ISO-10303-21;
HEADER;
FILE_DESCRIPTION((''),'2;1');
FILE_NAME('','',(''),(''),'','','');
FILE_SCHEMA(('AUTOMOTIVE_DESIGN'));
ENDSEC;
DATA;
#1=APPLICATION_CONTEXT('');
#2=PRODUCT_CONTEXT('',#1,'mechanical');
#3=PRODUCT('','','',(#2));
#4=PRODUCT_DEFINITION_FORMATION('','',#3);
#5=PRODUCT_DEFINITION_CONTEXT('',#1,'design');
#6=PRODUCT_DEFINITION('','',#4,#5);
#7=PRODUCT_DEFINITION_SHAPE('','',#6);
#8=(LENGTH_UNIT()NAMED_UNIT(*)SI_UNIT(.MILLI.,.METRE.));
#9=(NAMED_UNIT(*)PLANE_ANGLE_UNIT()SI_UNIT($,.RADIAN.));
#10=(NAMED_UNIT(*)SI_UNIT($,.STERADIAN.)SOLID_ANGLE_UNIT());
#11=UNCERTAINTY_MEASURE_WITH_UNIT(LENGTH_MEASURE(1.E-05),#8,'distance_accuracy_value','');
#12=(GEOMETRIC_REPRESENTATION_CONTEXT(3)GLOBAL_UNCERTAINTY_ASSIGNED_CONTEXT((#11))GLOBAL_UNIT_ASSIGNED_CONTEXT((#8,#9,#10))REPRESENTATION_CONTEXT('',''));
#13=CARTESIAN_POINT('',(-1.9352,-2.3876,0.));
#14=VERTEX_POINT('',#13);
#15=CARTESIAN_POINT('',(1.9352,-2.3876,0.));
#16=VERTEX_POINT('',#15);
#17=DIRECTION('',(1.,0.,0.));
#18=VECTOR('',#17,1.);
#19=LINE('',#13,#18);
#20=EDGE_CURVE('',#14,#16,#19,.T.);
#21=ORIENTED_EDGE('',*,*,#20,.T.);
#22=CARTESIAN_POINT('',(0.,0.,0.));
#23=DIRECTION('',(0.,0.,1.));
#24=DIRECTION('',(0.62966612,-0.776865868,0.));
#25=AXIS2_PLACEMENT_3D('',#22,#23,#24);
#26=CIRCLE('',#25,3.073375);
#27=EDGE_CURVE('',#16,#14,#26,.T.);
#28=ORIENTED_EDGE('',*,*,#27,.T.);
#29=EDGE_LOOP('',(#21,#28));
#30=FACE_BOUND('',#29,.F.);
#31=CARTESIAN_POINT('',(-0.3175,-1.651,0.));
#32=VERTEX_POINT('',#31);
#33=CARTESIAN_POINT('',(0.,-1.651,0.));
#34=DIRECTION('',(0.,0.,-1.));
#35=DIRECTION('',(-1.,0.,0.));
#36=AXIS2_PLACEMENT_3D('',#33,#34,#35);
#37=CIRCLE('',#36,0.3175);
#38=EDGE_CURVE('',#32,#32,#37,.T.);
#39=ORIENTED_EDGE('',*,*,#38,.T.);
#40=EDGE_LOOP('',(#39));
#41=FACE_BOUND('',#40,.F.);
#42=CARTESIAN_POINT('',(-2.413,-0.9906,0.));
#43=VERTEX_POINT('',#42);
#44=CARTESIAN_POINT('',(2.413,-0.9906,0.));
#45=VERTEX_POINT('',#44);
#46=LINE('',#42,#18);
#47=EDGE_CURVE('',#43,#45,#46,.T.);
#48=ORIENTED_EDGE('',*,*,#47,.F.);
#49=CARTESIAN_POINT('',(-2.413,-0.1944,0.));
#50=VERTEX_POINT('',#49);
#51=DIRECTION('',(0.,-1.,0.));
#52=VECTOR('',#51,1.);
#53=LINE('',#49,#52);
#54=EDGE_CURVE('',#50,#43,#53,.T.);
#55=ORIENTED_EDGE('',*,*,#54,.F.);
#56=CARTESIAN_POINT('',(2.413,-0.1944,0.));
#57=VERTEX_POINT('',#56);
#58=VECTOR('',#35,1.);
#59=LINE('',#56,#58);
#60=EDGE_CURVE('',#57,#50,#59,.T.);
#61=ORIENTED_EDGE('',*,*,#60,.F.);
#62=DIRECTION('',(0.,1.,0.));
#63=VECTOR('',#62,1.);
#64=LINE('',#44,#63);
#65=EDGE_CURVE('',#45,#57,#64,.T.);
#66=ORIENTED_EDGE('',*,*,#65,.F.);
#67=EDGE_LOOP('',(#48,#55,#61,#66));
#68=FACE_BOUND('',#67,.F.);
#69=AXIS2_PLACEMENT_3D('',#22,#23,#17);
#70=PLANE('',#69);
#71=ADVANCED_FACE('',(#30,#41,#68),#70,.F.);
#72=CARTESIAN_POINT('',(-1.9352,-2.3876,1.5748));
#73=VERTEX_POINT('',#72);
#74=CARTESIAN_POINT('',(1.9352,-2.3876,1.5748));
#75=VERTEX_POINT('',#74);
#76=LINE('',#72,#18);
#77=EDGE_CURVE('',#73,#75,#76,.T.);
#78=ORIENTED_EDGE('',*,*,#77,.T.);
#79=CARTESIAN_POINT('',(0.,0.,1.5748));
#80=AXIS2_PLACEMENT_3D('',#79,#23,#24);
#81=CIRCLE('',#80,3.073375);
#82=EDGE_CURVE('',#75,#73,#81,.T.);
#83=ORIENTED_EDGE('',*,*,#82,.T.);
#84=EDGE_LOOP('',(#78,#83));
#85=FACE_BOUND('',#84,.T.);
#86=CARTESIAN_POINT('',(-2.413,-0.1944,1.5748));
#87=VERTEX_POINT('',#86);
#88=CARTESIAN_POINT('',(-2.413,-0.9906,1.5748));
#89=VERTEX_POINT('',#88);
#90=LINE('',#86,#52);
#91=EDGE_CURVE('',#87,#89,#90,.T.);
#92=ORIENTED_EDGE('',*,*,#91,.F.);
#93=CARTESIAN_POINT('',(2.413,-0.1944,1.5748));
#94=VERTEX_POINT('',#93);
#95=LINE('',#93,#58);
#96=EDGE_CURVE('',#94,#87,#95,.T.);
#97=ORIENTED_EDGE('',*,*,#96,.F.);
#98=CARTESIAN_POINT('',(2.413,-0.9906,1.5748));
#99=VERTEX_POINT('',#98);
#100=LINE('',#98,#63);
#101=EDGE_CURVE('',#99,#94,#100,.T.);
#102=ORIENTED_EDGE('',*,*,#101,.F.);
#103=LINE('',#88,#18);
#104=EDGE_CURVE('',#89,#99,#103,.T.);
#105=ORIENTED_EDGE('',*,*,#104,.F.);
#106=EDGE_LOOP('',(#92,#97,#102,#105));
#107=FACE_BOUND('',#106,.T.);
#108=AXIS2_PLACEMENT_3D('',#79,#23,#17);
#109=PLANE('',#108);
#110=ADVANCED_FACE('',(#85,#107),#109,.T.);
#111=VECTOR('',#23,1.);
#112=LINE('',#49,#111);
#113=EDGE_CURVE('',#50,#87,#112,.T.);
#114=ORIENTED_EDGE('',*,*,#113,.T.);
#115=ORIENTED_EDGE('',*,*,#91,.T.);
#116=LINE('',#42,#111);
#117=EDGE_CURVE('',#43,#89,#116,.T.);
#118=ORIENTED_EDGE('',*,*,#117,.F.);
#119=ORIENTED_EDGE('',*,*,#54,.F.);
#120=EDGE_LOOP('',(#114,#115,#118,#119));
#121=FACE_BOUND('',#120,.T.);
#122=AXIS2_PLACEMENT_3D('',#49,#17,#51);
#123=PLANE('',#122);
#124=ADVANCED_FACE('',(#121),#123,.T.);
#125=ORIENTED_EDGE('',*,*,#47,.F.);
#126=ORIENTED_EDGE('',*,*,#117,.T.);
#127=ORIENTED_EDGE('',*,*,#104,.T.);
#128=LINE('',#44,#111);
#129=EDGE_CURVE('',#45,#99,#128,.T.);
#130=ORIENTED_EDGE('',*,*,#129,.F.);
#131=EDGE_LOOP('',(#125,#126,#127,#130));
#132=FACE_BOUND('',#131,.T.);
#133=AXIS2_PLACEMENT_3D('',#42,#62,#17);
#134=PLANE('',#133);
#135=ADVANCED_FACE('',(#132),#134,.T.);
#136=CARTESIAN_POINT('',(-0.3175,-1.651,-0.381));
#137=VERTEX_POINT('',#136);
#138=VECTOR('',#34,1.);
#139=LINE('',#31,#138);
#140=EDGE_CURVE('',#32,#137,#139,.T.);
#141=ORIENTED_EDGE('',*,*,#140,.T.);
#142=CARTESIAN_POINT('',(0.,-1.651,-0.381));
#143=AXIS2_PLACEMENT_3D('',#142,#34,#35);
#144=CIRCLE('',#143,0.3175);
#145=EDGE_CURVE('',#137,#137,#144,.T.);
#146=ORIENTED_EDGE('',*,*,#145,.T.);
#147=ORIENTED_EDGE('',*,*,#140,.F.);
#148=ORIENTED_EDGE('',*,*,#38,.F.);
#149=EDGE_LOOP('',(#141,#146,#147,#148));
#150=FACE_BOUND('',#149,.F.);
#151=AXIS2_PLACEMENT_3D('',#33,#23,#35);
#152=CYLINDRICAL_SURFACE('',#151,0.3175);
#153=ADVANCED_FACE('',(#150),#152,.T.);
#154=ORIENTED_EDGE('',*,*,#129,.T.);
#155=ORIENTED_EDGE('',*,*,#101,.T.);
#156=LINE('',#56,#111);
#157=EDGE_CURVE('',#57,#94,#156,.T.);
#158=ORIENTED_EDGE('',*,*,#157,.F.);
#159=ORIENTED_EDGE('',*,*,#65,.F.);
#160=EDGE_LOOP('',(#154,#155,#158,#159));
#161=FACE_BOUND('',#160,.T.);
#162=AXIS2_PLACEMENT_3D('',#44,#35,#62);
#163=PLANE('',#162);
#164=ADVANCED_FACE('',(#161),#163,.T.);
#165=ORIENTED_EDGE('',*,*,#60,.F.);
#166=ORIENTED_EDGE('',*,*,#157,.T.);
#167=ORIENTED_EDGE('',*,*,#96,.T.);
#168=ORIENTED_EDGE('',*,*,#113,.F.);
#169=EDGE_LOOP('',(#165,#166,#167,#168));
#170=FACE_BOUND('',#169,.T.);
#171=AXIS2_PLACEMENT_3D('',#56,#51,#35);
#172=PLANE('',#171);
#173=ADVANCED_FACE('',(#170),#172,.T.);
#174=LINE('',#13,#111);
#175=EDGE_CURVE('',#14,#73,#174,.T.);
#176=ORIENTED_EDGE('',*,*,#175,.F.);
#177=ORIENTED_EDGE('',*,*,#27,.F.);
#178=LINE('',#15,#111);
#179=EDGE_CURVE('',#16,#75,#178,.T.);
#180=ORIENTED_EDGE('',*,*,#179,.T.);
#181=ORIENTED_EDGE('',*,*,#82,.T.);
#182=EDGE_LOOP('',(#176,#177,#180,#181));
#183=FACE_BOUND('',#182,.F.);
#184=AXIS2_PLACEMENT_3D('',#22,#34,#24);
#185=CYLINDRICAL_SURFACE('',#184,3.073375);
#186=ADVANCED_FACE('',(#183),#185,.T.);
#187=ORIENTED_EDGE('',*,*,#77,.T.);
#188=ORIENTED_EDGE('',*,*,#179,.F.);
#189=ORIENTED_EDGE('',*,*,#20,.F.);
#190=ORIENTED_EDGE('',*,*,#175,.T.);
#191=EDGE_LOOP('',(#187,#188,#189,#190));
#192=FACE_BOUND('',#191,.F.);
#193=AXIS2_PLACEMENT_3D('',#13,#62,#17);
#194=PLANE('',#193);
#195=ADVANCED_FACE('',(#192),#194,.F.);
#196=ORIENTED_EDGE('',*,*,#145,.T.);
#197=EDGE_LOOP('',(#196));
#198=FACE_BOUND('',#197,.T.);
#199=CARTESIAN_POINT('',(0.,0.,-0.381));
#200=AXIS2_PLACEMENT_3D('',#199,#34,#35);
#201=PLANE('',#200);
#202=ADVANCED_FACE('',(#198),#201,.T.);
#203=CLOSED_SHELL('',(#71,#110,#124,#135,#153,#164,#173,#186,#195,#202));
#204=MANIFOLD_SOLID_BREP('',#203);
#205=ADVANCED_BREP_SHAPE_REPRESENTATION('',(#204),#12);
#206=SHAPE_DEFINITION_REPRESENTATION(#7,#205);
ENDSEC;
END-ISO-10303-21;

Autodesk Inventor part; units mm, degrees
ref_plane "YZ Plane" through (0, 0, 0) normal (1, 0, 0) x (0, 1, 0)
ref_plane "XZ Plane" through (0, 0, 0) normal (0, 1, 0) x (-1, 0, 0)
ref_plane "XY Plane" through (0, 0, 0) normal (0, 0, 1) x (1, 0, 0)
sketch "Sketch1" plane through (0, 0, 0) normal (0, 0, 1) x (1, 0, 0)
  arc A0 (1.9352, -2.3876) -> (-1.9352, -2.3876) centre (0, 0) ccw
  line L0 (-1.9352, -2.3876) -> (1.9352, -2.3876)
  line L1 (-2.413, -0.9906) -> (2.413, -0.9906)
  line L2 (2.413, -0.9906) -> (2.413, -0.1944)
  line L3 (2.413, -0.1944) -> (-2.413, -0.1944)
  line L4 (-2.413, -0.1944) -> (-2.413, -0.9906)
  dimension "d0" = 6.1468
  dimension "d1" = 2.3876
  dimension "d2" = 4.826
  dimension "d6" = 1.397
  dimension "d7" = 2.413
extrude "Extrusion1" add sketch "Sketch1" along normal blind 1.5748
sketch "Sketch3" plane through (0, 0, 0) normal (0, 0, -1) x (-1, 0, 0)
  arc A0 (1.9352, -2.3876) -> (-1.9352, -2.3876) centre (0, 0) ccw projected
  circle A1 centre (0, -1.651) radius 0.3175
  dimension "d13" = 0.635
  dimension "d14" = 1.651
extrude "Extrusion3" add sketch "Sketch3" along normal blind 0.381
equation "\"d7\" = 0.5 * d2"
properties part number "wiper"
